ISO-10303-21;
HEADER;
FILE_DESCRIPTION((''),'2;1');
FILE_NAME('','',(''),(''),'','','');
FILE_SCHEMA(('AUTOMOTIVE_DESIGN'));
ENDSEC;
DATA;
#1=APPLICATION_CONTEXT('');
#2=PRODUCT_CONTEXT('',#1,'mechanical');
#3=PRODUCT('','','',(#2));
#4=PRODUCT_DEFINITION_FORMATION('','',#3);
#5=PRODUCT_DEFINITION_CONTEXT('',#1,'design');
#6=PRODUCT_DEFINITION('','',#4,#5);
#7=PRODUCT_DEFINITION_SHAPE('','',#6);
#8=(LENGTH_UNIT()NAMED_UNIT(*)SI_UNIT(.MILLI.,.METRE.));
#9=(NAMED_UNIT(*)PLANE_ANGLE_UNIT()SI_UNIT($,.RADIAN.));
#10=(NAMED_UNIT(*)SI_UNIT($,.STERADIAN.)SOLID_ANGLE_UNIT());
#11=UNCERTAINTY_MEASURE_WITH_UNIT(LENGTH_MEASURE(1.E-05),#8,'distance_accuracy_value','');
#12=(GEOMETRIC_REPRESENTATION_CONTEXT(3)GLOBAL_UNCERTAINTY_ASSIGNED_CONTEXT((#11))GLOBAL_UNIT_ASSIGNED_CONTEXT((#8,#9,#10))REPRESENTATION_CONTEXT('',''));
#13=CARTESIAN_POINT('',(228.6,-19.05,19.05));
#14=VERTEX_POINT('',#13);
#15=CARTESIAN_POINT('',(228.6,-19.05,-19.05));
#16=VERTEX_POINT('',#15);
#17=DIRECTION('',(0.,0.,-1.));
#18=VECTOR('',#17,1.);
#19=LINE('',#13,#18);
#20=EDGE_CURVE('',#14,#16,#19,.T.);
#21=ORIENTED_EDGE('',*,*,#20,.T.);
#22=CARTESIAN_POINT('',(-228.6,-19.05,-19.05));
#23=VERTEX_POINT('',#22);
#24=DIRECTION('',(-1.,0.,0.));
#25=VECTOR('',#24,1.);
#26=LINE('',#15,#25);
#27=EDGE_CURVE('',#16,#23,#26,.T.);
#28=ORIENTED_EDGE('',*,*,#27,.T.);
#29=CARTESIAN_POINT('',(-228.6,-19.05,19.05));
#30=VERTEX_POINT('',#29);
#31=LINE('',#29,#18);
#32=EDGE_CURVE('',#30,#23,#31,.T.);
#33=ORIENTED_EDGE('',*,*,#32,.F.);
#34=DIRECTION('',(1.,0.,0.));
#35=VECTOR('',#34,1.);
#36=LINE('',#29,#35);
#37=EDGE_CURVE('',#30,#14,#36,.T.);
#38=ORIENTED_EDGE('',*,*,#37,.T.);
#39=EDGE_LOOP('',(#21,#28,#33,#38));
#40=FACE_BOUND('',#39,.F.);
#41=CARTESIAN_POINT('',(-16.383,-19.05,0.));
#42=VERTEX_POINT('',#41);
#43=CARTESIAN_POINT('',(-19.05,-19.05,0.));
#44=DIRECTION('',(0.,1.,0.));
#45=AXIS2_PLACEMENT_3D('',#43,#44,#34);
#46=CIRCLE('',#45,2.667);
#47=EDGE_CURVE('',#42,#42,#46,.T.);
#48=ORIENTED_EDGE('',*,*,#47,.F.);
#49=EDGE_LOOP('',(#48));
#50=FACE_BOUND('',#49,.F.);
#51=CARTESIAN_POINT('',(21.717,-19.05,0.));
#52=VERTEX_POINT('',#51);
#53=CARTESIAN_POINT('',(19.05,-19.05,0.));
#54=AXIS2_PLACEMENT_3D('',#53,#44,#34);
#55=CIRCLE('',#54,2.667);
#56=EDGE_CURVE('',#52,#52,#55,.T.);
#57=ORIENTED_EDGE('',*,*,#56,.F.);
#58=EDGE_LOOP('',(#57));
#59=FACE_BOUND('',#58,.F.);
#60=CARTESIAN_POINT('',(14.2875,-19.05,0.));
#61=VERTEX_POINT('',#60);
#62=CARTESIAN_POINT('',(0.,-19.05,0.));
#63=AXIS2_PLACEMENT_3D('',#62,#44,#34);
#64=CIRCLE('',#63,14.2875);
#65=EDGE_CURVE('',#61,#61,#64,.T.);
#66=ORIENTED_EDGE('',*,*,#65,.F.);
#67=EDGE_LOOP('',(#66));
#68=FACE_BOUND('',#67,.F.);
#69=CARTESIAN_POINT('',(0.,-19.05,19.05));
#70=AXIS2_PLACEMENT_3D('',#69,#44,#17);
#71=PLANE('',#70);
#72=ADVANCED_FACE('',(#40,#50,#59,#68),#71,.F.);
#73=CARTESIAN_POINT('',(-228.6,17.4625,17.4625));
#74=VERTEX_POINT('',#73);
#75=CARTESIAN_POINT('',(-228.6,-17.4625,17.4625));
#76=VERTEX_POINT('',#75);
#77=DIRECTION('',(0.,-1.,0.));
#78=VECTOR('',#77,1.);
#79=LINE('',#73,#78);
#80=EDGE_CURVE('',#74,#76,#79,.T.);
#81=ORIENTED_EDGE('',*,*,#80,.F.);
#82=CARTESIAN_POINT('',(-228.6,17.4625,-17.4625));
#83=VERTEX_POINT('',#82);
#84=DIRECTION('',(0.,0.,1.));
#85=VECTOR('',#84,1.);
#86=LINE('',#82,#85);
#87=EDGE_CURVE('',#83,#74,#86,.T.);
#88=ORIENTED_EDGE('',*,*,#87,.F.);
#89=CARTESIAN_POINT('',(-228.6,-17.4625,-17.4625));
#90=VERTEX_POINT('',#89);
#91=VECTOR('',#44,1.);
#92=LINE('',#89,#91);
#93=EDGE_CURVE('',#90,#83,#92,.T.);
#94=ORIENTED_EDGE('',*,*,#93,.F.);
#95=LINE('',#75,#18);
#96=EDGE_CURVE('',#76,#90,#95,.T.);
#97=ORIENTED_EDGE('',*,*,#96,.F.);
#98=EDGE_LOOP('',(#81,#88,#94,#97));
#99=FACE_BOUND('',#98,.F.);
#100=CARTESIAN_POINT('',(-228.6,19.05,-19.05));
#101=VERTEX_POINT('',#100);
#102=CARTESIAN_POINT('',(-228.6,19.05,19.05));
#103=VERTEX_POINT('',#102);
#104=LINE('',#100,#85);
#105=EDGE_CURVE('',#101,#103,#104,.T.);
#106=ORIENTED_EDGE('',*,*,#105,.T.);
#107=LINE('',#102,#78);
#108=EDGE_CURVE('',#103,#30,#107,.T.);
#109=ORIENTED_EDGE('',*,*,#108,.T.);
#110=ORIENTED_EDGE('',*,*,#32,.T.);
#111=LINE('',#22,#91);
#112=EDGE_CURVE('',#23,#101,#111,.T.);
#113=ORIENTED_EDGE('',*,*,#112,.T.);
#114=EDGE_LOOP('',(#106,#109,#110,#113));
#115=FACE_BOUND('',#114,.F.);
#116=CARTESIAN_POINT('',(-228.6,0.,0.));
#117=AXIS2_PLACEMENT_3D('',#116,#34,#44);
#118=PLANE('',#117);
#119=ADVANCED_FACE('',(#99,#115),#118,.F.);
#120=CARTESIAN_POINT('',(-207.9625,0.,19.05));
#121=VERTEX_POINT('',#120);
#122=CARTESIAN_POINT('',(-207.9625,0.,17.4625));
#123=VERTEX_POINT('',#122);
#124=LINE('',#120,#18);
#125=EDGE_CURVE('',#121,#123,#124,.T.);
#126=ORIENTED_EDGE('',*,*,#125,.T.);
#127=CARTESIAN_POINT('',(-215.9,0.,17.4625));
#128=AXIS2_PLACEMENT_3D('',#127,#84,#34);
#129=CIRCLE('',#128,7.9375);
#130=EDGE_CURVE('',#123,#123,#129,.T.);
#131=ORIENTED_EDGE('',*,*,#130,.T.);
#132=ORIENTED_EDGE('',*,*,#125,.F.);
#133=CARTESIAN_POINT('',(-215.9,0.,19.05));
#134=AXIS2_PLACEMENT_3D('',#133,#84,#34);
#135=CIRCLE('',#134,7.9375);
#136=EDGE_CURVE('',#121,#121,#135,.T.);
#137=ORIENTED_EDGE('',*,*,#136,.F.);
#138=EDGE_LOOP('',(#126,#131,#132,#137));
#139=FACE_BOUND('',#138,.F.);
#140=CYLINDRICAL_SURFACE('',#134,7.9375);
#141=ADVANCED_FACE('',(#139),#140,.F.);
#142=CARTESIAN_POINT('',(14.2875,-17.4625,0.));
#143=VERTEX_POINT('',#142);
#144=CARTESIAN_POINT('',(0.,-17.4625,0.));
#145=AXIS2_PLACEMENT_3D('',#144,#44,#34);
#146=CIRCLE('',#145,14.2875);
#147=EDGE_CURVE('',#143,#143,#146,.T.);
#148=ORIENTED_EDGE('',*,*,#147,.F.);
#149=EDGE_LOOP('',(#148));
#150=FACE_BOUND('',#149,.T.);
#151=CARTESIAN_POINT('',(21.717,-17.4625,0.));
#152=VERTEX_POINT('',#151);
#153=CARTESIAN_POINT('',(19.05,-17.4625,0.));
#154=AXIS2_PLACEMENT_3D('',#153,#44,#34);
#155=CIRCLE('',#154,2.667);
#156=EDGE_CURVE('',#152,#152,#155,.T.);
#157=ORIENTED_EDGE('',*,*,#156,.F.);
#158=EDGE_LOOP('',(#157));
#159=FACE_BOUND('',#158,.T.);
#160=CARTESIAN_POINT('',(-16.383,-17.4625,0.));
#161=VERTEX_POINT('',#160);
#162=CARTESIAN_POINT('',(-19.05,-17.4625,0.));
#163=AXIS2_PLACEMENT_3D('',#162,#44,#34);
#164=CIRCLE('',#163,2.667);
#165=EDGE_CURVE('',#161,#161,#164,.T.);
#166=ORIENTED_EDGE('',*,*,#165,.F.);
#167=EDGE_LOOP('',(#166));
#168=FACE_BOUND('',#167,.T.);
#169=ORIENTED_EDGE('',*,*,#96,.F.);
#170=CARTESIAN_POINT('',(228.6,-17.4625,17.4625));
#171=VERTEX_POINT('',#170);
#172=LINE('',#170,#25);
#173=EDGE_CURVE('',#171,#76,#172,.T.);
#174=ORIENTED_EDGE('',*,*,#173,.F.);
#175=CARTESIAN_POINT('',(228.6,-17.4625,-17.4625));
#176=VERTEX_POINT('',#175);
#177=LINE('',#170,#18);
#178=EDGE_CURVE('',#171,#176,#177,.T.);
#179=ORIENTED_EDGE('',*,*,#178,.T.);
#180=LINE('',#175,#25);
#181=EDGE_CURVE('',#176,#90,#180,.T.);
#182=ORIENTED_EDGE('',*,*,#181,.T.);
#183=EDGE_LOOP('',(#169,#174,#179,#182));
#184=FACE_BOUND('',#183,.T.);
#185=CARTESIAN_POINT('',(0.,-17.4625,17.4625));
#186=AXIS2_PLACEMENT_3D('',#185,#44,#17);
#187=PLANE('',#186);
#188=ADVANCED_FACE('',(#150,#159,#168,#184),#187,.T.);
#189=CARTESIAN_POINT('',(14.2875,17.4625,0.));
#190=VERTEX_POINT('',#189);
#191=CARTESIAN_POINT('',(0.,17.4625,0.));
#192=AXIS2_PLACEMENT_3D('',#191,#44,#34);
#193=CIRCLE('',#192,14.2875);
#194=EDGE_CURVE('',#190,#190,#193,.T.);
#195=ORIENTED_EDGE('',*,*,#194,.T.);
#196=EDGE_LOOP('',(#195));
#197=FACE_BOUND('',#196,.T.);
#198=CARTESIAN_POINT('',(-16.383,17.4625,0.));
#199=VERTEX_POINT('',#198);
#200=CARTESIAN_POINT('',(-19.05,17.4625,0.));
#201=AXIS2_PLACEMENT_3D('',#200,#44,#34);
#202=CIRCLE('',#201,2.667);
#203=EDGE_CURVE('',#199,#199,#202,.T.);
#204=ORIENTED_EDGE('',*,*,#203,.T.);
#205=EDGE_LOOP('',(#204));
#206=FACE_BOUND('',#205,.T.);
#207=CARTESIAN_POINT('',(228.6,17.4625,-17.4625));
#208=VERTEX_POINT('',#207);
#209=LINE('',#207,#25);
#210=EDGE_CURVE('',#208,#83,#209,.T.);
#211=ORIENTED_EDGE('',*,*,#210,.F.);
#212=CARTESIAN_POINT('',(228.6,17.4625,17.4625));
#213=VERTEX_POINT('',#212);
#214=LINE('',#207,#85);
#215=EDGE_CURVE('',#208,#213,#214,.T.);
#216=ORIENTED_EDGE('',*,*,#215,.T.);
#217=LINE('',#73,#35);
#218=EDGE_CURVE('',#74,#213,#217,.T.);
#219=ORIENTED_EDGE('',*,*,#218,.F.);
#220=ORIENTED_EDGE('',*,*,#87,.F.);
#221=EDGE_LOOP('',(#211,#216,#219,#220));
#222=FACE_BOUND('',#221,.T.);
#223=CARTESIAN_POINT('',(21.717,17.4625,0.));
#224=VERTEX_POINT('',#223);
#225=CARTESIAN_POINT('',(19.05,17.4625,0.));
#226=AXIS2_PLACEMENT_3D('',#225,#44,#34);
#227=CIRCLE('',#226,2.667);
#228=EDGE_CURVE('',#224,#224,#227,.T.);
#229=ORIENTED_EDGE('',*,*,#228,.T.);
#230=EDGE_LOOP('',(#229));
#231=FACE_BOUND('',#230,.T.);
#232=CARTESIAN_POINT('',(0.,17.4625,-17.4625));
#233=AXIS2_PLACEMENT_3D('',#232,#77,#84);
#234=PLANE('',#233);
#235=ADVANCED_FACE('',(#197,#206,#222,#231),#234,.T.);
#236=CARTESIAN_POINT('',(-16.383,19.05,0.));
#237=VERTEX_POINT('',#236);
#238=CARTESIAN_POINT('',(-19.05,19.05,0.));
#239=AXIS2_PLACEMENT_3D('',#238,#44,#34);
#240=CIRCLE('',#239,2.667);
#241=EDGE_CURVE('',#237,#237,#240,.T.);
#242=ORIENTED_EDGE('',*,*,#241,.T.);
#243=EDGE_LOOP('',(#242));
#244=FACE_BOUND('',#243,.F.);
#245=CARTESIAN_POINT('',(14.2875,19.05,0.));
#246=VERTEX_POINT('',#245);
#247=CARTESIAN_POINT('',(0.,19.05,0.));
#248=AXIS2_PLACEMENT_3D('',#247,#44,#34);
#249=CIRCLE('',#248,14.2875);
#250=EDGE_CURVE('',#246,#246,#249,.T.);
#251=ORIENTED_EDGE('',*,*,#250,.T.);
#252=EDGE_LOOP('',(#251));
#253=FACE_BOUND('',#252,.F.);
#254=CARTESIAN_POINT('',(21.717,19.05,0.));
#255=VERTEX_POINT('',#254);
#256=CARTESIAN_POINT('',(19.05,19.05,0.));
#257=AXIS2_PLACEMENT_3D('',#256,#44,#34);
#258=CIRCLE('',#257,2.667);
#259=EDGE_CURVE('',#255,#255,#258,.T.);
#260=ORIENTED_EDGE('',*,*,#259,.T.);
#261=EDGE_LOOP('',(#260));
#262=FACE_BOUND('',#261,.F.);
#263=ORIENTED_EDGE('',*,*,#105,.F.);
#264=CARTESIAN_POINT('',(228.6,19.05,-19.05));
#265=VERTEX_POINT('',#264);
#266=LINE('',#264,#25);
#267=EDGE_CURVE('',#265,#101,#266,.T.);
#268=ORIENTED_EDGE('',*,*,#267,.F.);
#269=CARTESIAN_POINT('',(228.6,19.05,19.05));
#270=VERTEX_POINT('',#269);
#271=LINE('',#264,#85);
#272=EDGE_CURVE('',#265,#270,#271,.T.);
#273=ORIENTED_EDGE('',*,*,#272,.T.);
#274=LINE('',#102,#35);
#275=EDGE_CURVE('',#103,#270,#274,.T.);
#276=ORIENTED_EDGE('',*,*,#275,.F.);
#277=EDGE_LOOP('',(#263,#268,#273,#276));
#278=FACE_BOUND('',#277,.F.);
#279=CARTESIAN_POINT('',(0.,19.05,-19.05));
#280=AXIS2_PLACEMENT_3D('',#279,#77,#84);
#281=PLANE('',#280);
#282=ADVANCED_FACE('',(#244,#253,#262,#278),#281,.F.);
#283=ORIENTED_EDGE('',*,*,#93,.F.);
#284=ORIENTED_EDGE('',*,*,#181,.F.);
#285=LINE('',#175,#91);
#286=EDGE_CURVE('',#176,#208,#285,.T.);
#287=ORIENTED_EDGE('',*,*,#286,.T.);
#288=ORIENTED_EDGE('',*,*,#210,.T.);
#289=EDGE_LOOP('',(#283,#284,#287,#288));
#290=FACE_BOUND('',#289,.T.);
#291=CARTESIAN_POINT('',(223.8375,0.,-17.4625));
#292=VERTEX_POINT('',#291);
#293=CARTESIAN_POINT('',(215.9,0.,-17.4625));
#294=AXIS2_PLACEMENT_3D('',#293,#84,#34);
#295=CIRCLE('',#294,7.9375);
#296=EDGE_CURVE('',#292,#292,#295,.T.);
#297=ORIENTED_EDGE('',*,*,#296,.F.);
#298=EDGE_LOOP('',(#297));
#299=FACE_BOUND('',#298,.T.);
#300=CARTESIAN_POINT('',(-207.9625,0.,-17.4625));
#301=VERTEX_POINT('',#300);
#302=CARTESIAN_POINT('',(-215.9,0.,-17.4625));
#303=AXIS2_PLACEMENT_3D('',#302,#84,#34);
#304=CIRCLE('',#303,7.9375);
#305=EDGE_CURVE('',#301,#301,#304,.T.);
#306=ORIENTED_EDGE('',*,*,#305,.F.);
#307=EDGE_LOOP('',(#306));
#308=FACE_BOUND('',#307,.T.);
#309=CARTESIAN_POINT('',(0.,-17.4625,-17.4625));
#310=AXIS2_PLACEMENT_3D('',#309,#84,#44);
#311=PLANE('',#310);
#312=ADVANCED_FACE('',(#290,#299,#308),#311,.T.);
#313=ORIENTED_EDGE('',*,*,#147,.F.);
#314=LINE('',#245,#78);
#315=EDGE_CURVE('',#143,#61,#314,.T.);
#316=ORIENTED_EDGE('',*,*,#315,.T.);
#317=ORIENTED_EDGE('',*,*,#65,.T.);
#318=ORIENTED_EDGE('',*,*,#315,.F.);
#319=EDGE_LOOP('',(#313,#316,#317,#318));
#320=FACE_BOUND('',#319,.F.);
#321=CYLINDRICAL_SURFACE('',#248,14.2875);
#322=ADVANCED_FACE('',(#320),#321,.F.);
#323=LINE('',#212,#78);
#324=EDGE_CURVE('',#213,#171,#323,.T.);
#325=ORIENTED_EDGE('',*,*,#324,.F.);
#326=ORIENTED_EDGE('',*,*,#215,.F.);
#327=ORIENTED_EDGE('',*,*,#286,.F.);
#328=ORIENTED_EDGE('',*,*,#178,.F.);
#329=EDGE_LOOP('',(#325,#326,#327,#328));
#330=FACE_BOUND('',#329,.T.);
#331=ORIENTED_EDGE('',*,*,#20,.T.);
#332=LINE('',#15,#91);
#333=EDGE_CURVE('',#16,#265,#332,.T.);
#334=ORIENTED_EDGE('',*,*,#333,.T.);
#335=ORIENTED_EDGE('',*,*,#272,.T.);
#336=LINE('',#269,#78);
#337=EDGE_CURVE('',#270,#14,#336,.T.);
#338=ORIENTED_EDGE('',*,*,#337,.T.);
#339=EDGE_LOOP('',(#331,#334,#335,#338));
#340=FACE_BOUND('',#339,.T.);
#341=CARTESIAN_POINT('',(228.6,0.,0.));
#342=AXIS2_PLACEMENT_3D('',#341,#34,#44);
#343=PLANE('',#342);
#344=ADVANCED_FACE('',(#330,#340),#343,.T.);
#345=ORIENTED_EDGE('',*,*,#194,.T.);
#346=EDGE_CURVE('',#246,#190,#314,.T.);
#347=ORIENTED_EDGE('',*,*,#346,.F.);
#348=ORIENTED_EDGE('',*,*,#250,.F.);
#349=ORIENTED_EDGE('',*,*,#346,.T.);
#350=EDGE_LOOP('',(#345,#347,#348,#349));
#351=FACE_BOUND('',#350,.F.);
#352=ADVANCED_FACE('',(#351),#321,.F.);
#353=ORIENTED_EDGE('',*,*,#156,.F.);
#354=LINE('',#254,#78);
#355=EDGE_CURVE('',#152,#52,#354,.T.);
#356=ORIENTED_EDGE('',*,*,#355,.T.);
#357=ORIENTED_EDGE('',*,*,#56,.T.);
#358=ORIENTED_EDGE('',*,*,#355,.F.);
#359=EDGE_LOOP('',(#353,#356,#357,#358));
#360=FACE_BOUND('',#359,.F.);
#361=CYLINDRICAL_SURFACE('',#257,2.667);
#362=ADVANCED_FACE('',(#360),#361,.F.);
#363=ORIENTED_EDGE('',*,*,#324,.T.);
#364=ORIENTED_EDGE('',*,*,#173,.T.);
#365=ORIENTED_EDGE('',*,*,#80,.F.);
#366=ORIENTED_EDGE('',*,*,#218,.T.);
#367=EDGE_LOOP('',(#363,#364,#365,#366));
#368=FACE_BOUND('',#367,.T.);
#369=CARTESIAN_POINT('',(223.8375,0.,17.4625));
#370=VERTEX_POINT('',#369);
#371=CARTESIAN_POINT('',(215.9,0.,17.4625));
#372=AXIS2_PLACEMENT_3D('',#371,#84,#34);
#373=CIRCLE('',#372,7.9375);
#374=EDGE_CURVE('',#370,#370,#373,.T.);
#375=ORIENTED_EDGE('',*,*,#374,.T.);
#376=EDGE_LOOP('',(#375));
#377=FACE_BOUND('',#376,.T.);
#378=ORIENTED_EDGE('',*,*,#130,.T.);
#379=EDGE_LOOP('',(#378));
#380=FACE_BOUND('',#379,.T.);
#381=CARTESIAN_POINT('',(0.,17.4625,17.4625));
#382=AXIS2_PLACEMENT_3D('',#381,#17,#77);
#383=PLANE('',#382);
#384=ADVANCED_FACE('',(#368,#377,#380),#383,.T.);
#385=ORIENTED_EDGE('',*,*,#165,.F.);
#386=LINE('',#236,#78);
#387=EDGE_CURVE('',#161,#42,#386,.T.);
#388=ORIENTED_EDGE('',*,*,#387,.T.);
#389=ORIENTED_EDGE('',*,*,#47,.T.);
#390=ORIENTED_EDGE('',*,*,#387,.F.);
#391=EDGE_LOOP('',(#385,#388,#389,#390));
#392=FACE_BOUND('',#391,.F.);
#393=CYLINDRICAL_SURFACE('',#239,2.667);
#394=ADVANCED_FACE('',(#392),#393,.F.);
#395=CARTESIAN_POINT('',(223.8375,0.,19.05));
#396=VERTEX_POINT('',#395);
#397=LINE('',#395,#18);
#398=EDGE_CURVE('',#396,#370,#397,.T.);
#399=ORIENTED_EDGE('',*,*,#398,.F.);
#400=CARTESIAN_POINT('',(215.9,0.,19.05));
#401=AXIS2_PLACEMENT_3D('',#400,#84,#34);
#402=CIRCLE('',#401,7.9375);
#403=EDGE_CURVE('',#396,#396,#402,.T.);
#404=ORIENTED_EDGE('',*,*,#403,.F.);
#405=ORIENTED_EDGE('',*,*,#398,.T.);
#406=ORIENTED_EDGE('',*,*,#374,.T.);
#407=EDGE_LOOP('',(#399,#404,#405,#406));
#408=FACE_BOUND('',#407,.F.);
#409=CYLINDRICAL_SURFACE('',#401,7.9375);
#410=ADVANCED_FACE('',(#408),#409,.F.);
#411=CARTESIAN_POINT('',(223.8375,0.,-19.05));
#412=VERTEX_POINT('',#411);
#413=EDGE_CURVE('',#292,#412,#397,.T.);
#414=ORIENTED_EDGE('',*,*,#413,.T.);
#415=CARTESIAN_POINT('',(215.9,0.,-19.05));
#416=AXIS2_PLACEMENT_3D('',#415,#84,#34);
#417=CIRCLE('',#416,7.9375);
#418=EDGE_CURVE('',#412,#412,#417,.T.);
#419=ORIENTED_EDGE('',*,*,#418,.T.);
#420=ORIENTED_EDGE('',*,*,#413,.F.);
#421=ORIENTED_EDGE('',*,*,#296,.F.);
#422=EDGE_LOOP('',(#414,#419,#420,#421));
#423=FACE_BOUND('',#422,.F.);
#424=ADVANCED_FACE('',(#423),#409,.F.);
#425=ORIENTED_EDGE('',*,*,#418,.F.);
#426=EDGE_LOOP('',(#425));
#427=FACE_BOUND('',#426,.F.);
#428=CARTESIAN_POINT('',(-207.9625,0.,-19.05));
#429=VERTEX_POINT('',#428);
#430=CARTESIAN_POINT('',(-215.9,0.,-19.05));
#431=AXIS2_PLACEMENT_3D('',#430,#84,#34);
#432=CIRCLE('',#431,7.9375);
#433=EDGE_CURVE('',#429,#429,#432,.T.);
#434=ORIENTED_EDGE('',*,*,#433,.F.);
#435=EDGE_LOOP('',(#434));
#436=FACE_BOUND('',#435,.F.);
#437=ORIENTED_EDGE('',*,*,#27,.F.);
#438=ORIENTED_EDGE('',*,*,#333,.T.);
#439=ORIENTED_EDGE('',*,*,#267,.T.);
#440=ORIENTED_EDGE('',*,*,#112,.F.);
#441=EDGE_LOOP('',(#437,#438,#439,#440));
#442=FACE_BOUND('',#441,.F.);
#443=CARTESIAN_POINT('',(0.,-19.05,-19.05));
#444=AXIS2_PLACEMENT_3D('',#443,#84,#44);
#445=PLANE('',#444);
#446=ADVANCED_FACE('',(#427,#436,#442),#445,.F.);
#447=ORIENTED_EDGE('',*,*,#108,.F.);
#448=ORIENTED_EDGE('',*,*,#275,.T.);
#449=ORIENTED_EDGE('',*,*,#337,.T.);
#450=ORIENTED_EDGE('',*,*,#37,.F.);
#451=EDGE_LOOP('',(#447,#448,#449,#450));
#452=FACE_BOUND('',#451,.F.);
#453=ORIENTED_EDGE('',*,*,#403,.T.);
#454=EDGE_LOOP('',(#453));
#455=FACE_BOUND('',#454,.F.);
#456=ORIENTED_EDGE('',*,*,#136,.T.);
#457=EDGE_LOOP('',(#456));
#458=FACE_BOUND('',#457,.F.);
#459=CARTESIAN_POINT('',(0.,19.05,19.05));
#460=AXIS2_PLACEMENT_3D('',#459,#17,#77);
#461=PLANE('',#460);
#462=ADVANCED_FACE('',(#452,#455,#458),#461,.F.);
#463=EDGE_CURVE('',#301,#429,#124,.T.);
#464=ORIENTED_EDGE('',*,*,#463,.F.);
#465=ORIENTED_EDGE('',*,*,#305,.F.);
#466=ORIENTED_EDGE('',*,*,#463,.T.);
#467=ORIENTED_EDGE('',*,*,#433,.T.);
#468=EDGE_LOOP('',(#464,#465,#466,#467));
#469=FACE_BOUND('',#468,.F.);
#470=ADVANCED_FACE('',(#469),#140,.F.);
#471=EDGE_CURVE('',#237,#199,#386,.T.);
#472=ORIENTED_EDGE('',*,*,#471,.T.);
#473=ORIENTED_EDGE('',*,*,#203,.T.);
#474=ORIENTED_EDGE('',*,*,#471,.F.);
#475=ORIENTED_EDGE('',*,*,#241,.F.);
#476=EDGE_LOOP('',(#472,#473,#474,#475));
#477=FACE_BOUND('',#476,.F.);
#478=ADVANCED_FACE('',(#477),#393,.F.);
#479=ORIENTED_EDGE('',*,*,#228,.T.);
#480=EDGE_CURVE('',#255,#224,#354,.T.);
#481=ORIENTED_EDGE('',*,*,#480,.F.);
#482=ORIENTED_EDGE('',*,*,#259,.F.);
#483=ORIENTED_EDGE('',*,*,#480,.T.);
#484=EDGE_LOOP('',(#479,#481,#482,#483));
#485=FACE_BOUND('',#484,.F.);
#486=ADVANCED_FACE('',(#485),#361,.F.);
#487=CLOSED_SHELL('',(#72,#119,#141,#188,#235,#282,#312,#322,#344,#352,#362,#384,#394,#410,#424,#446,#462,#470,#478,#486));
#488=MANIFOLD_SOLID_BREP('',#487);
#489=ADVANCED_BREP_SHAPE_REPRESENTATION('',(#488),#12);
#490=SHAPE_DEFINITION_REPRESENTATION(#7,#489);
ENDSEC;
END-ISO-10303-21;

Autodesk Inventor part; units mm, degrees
ref_plane "YZ Plane" through (0, 0, 0) normal (1, 0, 0) x (0, 1, 0)
ref_plane "XZ Plane" through (0, 0, 0) normal (0, 1, 0) x (-1, 0, 0)
ref_plane "XY Plane" through (0, 0, 0) normal (0, 0, 1) x (1, 0, 0)
sketch "Sketch2" plane through (0, 0, 0) normal (1, 0, 0) x (0, 1, 0)
  line L0 (0, -26.67) -> (0, 26.67) construction
  line L1 (-26.67, 0) -> (26.67, 0) construction
  line L2 (17.4625, 17.4625) -> (-17.4625, 17.4625)
  line L3 (-17.4625, 17.4625) -> (-17.4625, -17.4625)
  line L4 (-17.4625, -17.4625) -> (17.4625, -17.4625)
  line L5 (17.4625, -17.4625) -> (17.4625, 17.4625)
  line L6 (19.05, 19.05) -> (-19.05, 19.05)
  line L7 (-19.05, 19.05) -> (-19.05, -19.05)
  line L8 (-19.05, -19.05) -> (19.05, -19.05)
  line L9 (19.05, -19.05) -> (19.05, 19.05)
  point P0 (0, 0)
  point P1 (0, 19.05)
  point P2 (0, 17.4625)
  point P3 (17.4625, 0)
  point P4 (19.05, 0)
  dimension "d0" = 1.5875
  dimension "d1" = 38.1
extrude "Extrusion1" add sketch "Sketch2" along normal mid plane 457.2
sketch "Sketch3" plane through (-228.6, -19.05, 19.05) normal (0, 0, 1) x (1, 0, 0)
  line L0 (-91.44, 19.05) -> (548.64, 19.05) construction
  line L1 (228.6, -7.62) -> (228.6, 45.72) construction
  circle A0 centre (12.7, 19.05) radius 7.9375
  line L2 (0, 0) -> (0, 38.1) construction
  circle A1 centre (444.5, 19.05) radius 7.9375
  point P0 (228.6, 19.05)
  dimension "d4" = 12.7
  dimension "d5" = 15.875
extrude "Extrusion2" cut sketch "Sketch3" against normal through all
sketch "Sketch5" plane through (-228.6, 19.05, 19.05) normal (0, 1, 0) x (1, 0, 0)
  circle A0 centre (228.6, 19.05) radius 14.2875
  dimension "d11" = 28.575
extrude "Extrusion4" cut sketch "Sketch5" against normal through all
sketch "Sketch6" plane through (-228.6, 19.05, 19.05) normal (0, 1, 0) x (1, 0, 0)
  line L0 (-91.44, 19.05) -> (548.64, 19.05) construction
  line L1 (228.6, 45.72) -> (228.6, -7.62) construction
  circle A0 centre (209.55, 19.05) radius 3.175 construction
  circle A1 centre (247.65, 19.05) radius 3.175 construction
  circle A2 centre (228.6, 19.05) radius 15.875 construction
  circle A3 centre (209.55, 19.05) radius 2.667
  circle A4 centre (247.65, 19.05) radius 2.667
  dimension "d14" = 31.75
  dimension "d15" = 6.35
  dimension "d16" = 5.334
extrude "Extrusion5" cut sketch "Sketch6" against normal through all
properties part number "Crossbeam" material "Aluminum 6061"
